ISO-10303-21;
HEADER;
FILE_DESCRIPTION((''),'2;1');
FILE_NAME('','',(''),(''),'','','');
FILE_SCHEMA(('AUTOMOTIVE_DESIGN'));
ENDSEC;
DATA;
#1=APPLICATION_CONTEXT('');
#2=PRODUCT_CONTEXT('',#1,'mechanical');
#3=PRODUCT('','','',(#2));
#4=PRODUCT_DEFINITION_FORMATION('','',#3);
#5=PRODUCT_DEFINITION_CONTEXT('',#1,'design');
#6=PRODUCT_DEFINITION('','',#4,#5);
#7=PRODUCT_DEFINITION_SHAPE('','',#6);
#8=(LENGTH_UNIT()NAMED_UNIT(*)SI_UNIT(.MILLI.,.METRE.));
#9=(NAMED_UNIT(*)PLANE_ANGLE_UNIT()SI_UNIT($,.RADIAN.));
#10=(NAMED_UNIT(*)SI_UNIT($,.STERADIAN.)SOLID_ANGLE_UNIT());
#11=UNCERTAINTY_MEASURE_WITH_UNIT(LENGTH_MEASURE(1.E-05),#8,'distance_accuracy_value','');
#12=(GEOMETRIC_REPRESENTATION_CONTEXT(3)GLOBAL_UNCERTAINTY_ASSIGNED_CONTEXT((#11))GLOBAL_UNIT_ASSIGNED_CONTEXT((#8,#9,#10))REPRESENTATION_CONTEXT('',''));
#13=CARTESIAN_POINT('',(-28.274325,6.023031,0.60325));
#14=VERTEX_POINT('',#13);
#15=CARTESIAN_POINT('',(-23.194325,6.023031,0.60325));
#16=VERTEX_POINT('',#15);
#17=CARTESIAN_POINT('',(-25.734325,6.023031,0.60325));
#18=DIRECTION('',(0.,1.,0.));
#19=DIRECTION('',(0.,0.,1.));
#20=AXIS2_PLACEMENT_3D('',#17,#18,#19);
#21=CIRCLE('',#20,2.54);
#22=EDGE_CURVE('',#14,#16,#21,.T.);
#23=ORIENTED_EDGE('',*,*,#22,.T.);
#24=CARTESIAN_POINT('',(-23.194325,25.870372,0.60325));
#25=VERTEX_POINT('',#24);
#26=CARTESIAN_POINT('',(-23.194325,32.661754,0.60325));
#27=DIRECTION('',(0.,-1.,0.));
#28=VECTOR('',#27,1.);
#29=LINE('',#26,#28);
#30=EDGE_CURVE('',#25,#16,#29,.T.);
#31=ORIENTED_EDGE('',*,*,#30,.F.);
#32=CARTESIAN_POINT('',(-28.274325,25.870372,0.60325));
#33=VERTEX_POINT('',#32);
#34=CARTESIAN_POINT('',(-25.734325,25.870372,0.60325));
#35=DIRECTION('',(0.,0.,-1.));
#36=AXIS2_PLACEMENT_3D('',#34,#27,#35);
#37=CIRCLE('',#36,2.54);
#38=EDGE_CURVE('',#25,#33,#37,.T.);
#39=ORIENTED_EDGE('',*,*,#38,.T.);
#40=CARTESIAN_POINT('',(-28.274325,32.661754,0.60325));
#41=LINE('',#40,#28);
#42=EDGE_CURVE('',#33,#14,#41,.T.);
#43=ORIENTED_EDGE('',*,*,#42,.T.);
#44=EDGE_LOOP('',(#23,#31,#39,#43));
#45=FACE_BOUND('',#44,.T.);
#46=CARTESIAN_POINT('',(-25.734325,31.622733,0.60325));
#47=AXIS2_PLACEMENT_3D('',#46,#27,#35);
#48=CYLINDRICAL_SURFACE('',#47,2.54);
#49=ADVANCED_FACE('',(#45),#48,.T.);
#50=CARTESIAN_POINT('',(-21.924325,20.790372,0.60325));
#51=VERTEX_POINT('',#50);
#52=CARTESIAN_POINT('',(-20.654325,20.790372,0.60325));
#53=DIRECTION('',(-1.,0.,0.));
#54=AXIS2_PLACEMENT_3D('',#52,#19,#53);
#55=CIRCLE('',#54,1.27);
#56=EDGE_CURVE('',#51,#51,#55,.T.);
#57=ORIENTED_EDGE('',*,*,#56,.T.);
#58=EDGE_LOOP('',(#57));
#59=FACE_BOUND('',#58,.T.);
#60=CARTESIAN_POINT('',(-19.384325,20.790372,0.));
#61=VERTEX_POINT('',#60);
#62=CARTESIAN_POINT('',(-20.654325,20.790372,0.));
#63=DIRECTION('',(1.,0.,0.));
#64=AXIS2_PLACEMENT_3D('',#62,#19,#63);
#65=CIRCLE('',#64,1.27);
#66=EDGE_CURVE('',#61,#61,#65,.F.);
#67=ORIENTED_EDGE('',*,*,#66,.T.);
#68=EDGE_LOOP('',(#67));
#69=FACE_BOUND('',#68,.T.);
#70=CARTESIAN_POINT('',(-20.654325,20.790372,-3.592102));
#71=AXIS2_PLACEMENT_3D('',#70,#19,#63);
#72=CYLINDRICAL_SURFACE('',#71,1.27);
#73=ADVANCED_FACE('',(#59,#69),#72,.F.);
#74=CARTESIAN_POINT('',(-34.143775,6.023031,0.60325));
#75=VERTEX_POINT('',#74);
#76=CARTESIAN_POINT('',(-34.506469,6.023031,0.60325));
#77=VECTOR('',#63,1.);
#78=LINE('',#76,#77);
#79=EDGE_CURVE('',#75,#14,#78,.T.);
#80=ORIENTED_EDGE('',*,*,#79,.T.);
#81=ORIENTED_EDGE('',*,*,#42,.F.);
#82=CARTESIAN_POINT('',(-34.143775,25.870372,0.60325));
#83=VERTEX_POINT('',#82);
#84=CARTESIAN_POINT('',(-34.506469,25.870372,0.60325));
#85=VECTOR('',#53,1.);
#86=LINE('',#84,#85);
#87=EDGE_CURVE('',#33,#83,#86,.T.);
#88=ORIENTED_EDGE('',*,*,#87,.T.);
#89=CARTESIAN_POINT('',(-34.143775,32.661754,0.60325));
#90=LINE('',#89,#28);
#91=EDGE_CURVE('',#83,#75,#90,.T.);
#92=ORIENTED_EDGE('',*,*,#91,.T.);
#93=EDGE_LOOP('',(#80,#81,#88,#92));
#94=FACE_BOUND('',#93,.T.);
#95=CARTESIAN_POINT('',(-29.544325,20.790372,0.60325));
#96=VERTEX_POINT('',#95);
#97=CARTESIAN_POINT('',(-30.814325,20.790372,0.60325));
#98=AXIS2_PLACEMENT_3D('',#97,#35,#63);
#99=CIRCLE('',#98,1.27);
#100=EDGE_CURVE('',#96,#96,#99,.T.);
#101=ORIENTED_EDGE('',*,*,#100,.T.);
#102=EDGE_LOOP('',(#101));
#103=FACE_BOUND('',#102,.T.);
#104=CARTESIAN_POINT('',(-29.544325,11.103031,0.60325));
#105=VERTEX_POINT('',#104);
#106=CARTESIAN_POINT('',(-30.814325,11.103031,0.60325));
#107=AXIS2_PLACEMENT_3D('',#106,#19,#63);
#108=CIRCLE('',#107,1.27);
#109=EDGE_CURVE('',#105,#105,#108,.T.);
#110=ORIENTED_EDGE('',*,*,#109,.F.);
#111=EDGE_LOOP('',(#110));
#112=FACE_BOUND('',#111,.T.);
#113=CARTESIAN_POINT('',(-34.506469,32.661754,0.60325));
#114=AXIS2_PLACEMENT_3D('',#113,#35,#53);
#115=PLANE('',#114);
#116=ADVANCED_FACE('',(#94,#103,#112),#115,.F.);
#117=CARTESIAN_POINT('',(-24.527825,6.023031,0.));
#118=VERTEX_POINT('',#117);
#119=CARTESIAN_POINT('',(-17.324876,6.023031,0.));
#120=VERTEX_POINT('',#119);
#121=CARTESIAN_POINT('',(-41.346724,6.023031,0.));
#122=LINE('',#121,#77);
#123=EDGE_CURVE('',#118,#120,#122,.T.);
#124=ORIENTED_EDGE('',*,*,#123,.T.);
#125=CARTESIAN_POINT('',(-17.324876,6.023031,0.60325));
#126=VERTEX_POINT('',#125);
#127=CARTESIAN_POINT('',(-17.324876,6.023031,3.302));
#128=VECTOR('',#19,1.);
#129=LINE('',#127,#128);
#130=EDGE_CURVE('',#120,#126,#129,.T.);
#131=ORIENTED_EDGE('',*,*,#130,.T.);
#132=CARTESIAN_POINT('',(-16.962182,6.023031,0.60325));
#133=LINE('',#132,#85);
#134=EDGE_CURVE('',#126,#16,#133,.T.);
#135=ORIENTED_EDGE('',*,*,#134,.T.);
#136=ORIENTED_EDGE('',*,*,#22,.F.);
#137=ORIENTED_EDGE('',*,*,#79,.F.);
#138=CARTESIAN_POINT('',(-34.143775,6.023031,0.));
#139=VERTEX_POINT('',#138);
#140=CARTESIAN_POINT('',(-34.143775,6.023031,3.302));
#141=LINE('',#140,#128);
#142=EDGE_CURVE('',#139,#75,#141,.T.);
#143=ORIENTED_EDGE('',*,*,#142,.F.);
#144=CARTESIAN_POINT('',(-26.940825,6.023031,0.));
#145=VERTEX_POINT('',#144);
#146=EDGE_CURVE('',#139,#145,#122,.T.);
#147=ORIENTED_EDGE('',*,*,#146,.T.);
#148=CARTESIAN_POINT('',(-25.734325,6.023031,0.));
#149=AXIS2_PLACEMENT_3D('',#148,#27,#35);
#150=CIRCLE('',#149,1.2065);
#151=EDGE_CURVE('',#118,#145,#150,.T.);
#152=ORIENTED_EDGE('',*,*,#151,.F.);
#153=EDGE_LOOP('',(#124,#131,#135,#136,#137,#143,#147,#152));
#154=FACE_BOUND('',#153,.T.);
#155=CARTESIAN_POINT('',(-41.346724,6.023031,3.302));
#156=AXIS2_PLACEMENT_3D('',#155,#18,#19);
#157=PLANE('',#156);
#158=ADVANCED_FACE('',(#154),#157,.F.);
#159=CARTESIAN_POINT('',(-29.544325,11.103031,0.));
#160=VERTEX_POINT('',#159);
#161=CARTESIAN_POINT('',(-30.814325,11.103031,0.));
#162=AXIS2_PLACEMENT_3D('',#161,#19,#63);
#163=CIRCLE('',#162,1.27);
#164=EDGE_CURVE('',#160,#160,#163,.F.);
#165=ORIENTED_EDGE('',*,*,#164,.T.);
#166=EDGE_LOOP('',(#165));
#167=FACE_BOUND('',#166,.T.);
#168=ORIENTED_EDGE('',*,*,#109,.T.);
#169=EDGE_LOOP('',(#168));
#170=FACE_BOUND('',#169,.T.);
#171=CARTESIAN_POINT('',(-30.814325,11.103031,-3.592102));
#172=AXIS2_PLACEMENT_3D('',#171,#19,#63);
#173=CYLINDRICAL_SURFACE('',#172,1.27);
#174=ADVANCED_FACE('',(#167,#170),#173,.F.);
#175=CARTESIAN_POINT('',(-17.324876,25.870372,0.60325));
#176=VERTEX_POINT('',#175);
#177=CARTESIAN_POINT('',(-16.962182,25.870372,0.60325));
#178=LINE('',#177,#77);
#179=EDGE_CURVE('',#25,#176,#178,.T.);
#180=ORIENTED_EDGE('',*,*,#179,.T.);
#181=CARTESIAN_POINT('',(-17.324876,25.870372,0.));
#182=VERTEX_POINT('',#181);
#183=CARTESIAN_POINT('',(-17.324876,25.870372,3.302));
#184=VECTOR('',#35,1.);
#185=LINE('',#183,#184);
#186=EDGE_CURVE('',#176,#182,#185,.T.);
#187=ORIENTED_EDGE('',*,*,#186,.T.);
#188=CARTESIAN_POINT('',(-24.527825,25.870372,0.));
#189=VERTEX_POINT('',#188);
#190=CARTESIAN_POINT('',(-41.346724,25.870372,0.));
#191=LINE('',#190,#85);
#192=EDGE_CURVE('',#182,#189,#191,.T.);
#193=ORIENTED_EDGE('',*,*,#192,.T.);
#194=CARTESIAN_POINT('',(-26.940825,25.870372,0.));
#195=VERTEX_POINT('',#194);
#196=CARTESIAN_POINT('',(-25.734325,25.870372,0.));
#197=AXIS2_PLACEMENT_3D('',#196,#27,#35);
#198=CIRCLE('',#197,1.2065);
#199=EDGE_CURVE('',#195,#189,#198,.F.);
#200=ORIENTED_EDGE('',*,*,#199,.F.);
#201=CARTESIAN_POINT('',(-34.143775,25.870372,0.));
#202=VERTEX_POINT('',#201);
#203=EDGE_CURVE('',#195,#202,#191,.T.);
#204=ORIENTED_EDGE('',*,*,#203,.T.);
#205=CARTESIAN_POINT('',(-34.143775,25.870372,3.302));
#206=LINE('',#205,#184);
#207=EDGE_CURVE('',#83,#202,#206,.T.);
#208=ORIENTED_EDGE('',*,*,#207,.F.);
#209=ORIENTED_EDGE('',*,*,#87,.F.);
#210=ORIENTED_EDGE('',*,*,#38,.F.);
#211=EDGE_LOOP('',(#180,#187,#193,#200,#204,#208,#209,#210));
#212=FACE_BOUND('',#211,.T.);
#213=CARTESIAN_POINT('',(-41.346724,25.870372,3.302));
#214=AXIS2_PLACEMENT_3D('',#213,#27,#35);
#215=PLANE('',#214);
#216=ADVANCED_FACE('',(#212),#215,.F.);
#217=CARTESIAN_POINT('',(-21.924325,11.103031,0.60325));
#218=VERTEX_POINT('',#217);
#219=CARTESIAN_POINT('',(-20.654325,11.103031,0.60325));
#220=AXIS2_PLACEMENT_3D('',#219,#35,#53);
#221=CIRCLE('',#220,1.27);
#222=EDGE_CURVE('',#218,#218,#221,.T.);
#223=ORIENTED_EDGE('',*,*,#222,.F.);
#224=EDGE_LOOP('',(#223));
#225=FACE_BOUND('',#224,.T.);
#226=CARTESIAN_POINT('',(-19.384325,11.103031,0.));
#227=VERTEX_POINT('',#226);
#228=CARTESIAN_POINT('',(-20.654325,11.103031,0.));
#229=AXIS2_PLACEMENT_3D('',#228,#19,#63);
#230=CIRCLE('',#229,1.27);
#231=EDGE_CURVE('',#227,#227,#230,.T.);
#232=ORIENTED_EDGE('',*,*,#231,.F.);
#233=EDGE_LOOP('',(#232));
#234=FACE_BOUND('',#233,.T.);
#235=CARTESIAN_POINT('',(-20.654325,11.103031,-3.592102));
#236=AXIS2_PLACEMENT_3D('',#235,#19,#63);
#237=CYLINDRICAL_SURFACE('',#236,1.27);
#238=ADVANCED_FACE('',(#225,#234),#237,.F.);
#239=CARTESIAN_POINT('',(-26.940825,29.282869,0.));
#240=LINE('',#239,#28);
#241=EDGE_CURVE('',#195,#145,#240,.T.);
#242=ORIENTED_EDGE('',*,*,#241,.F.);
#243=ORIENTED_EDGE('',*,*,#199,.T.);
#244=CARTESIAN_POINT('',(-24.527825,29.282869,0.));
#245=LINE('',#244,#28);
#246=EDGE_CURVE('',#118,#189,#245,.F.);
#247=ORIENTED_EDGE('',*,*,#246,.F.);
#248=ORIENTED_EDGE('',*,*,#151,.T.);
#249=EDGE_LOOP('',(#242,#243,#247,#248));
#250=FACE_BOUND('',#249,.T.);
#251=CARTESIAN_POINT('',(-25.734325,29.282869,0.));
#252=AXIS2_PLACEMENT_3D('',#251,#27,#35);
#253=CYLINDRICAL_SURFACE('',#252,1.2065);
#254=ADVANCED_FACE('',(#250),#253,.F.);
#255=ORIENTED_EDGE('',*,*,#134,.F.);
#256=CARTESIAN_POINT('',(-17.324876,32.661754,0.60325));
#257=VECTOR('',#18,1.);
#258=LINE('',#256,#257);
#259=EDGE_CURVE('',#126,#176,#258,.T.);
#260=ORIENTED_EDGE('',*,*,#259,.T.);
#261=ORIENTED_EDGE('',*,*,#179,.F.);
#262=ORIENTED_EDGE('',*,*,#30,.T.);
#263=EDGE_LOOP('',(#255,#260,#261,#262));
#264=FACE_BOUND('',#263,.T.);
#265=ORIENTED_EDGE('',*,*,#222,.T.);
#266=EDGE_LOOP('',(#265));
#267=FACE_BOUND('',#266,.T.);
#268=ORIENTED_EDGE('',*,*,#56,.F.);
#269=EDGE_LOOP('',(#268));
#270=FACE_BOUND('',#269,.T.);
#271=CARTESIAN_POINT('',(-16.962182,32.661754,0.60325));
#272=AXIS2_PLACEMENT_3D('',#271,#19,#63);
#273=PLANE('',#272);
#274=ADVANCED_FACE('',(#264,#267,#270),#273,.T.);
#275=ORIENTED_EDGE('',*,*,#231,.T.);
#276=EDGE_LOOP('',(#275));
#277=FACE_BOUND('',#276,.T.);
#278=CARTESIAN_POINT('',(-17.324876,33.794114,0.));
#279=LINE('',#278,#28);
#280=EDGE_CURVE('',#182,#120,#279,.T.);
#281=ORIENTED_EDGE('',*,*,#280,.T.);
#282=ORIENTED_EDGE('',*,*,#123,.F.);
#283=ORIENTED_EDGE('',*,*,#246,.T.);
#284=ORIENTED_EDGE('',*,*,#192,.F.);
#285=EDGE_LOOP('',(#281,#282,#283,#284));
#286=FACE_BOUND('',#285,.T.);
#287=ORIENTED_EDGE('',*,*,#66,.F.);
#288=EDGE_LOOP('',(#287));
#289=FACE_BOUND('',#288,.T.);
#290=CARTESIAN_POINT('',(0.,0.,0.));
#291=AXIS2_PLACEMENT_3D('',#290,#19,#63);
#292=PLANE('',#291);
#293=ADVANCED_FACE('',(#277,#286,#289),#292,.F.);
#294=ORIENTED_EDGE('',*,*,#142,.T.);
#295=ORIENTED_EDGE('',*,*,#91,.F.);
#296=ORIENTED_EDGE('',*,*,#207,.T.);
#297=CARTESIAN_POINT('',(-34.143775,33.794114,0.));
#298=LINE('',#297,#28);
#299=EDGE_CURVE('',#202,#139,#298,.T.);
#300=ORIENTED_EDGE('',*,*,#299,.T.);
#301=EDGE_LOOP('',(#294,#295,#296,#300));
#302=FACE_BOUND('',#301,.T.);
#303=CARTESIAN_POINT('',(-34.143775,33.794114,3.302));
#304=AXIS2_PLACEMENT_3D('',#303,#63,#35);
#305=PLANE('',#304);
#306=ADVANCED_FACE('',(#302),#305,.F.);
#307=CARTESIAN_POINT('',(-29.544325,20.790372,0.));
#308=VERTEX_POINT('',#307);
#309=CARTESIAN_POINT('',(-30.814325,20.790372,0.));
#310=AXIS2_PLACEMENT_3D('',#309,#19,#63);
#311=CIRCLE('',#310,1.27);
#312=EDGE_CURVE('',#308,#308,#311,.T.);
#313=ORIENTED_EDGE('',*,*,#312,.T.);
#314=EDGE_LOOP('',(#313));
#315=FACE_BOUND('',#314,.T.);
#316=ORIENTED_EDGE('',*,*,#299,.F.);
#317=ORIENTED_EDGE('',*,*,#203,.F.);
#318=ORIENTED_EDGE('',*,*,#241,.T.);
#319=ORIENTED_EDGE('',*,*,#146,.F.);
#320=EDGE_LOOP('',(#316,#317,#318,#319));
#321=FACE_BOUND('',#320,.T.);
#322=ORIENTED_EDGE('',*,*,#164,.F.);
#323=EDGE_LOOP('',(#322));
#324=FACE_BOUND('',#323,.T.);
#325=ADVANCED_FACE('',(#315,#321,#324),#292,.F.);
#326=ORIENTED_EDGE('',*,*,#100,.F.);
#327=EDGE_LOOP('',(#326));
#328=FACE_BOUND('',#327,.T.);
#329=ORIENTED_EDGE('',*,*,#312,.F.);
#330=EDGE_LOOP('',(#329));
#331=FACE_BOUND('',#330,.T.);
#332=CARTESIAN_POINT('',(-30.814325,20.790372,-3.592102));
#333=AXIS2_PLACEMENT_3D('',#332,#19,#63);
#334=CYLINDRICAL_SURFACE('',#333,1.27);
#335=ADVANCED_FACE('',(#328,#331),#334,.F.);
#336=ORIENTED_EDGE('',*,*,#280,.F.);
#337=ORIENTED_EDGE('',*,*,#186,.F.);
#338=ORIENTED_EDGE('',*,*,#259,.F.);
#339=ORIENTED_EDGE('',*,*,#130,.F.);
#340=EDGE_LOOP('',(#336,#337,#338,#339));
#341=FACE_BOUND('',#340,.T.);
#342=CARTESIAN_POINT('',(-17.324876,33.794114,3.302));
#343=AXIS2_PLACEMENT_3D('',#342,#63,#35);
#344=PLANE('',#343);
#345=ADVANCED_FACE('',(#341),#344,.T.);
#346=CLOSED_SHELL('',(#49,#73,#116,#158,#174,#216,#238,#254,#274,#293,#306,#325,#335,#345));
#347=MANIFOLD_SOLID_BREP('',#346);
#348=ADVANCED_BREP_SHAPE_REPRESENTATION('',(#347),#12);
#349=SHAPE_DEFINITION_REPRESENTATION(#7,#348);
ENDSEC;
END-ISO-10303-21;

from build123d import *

# Parameters (mm, degrees)
SKETCH1_W               = 31.224798093
SKETCH1_H               = 19.847341298
BOSS_EXTRUDE1_DEPTH     = 3.302
SKETCH2_R               = 1.2065
CUT_EXTRUDE1_DEPTH      = 19.847341298
SKETCH3_W               = 6.232143457
SKETCH3_H               = 2.69875
CUT_EXTRUDE2_DEPTH      = 19.847341298
CUT_EXTRUDE4_DEPTH      = 19.847341298
SKETCH6_W               = 7.202949523
SKETCH6_H               = 3.302
CUT_EXTRUDE5_DEPTH      = 19.847341298
SKETCH7_R               = 1.27
CUT_EXTRUDE6_DEPTH      = 0.60325
MIRROR4_COPY_1_SKETCH_R = 1.27
MIRROR4_COPY_1_DEPTH    = 0.60325


with BuildPart() as part:
    # Sketch1 → Boss-Extrude1 (new body)
    with BuildSketch(Plane.XY):
        with Locations((-25.734325238, 15.946701424)):
            Rectangle(SKETCH1_W, SKETCH1_H)
    extrude(amount=BOSS_EXTRUDE1_DEPTH)

    # Sketch2 → Cut-Extrude1 (cut)
    with BuildSketch(Plane.XZ.offset(-6.023030775)):
        with Locations((-25.734325238, 0)):
            Circle(SKETCH2_R)
    extrude(amount=-CUT_EXTRUDE1_DEPTH, mode=Mode.SUBTRACT)

    # Sketch3 → Cut-Extrude2 (cut)
    with BuildSketch(Plane.XZ.offset(-6.023030775)):
        with Locations((-31.390396967, 1.952625)):
            Rectangle(SKETCH3_W, SKETCH3_H)
    cut_extrude2 = extrude(amount=-CUT_EXTRUDE2_DEPTH, mode=Mode.SUBTRACT)

    # Mirror1: Cut-Extrude2 across plane
    add(cut_extrude2.mirror(Plane.ZY.offset(25.734325238)), mode=Mode.SUBTRACT)

    # Sketch5 → Cut-Extrude4 (cut)
    with BuildSketch(Plane.XZ.offset(-6.023030775)):
        with BuildLine():
            Line((-28.274325238, 0.60325), (-28.274325238, 3.302))
            Line((-28.274325238, 3.302), (-23.194325238, 3.302))
            Line((-23.194325238, 3.302), (-23.194325238, 0.60325))
            ThreePointArc((-23.194325238, 0.60325), (-25.734325238, 3.14325), (-28.274325238, 0.60325))
        make_face()
    extrude(amount=-CUT_EXTRUDE4_DEPTH, mode=Mode.SUBTRACT)

    # Sketch6 → Cut-Extrude5 (cut)
    with BuildSketch(Plane.XZ.offset(-6.023030775)):
        with Locations((-37.745249523, 1.651)):
            Rectangle(SKETCH6_W, SKETCH6_H)
    cut_extrude5 = extrude(amount=-CUT_EXTRUDE5_DEPTH, mode=Mode.SUBTRACT)

    # Mirror2: Cut-Extrude5 across plane
    add(cut_extrude5.mirror(Plane.ZY.offset(25.734325238)), mode=Mode.SUBTRACT)

    # Sketch7 → Cut-Extrude6 (cut)
    with BuildSketch(Plane.XY.offset(0.60325)):
        with Locations((-30.814325238, 11.103030775)):
            Circle(SKETCH7_R)
    cut_extrude6 = extrude(amount=-CUT_EXTRUDE6_DEPTH, mode=Mode.SUBTRACT)

    # Mirror3: Cut-Extrude6 across plane
    add(cut_extrude6.mirror(Plane(origin=(0, 15.946701424, 0), x_dir=(0, 0, 1), z_dir=(0, -1, 0))), mode=Mode.SUBTRACT)

    # Mirror4: Cut-Extrude6 across plane
    add(cut_extrude6.mirror(Plane.ZY.offset(25.734325238)), mode=Mode.SUBTRACT)

    # Mirror4 copy 1 sketch → Mirror4 copy 1 (cut)
    with BuildSketch(Plane(origin=(-51.468650475, 31.893402848, 0.60325), x_dir=(-1, 0, 0), z_dir=(0, 0, 1))):
        with Locations((-30.814325238, 11.103030775)):
            Circle(MIRROR4_COPY_1_SKETCH_R)
    extrude(amount=-MIRROR4_COPY_1_DEPTH, mode=Mode.SUBTRACT)


solid = part.part
